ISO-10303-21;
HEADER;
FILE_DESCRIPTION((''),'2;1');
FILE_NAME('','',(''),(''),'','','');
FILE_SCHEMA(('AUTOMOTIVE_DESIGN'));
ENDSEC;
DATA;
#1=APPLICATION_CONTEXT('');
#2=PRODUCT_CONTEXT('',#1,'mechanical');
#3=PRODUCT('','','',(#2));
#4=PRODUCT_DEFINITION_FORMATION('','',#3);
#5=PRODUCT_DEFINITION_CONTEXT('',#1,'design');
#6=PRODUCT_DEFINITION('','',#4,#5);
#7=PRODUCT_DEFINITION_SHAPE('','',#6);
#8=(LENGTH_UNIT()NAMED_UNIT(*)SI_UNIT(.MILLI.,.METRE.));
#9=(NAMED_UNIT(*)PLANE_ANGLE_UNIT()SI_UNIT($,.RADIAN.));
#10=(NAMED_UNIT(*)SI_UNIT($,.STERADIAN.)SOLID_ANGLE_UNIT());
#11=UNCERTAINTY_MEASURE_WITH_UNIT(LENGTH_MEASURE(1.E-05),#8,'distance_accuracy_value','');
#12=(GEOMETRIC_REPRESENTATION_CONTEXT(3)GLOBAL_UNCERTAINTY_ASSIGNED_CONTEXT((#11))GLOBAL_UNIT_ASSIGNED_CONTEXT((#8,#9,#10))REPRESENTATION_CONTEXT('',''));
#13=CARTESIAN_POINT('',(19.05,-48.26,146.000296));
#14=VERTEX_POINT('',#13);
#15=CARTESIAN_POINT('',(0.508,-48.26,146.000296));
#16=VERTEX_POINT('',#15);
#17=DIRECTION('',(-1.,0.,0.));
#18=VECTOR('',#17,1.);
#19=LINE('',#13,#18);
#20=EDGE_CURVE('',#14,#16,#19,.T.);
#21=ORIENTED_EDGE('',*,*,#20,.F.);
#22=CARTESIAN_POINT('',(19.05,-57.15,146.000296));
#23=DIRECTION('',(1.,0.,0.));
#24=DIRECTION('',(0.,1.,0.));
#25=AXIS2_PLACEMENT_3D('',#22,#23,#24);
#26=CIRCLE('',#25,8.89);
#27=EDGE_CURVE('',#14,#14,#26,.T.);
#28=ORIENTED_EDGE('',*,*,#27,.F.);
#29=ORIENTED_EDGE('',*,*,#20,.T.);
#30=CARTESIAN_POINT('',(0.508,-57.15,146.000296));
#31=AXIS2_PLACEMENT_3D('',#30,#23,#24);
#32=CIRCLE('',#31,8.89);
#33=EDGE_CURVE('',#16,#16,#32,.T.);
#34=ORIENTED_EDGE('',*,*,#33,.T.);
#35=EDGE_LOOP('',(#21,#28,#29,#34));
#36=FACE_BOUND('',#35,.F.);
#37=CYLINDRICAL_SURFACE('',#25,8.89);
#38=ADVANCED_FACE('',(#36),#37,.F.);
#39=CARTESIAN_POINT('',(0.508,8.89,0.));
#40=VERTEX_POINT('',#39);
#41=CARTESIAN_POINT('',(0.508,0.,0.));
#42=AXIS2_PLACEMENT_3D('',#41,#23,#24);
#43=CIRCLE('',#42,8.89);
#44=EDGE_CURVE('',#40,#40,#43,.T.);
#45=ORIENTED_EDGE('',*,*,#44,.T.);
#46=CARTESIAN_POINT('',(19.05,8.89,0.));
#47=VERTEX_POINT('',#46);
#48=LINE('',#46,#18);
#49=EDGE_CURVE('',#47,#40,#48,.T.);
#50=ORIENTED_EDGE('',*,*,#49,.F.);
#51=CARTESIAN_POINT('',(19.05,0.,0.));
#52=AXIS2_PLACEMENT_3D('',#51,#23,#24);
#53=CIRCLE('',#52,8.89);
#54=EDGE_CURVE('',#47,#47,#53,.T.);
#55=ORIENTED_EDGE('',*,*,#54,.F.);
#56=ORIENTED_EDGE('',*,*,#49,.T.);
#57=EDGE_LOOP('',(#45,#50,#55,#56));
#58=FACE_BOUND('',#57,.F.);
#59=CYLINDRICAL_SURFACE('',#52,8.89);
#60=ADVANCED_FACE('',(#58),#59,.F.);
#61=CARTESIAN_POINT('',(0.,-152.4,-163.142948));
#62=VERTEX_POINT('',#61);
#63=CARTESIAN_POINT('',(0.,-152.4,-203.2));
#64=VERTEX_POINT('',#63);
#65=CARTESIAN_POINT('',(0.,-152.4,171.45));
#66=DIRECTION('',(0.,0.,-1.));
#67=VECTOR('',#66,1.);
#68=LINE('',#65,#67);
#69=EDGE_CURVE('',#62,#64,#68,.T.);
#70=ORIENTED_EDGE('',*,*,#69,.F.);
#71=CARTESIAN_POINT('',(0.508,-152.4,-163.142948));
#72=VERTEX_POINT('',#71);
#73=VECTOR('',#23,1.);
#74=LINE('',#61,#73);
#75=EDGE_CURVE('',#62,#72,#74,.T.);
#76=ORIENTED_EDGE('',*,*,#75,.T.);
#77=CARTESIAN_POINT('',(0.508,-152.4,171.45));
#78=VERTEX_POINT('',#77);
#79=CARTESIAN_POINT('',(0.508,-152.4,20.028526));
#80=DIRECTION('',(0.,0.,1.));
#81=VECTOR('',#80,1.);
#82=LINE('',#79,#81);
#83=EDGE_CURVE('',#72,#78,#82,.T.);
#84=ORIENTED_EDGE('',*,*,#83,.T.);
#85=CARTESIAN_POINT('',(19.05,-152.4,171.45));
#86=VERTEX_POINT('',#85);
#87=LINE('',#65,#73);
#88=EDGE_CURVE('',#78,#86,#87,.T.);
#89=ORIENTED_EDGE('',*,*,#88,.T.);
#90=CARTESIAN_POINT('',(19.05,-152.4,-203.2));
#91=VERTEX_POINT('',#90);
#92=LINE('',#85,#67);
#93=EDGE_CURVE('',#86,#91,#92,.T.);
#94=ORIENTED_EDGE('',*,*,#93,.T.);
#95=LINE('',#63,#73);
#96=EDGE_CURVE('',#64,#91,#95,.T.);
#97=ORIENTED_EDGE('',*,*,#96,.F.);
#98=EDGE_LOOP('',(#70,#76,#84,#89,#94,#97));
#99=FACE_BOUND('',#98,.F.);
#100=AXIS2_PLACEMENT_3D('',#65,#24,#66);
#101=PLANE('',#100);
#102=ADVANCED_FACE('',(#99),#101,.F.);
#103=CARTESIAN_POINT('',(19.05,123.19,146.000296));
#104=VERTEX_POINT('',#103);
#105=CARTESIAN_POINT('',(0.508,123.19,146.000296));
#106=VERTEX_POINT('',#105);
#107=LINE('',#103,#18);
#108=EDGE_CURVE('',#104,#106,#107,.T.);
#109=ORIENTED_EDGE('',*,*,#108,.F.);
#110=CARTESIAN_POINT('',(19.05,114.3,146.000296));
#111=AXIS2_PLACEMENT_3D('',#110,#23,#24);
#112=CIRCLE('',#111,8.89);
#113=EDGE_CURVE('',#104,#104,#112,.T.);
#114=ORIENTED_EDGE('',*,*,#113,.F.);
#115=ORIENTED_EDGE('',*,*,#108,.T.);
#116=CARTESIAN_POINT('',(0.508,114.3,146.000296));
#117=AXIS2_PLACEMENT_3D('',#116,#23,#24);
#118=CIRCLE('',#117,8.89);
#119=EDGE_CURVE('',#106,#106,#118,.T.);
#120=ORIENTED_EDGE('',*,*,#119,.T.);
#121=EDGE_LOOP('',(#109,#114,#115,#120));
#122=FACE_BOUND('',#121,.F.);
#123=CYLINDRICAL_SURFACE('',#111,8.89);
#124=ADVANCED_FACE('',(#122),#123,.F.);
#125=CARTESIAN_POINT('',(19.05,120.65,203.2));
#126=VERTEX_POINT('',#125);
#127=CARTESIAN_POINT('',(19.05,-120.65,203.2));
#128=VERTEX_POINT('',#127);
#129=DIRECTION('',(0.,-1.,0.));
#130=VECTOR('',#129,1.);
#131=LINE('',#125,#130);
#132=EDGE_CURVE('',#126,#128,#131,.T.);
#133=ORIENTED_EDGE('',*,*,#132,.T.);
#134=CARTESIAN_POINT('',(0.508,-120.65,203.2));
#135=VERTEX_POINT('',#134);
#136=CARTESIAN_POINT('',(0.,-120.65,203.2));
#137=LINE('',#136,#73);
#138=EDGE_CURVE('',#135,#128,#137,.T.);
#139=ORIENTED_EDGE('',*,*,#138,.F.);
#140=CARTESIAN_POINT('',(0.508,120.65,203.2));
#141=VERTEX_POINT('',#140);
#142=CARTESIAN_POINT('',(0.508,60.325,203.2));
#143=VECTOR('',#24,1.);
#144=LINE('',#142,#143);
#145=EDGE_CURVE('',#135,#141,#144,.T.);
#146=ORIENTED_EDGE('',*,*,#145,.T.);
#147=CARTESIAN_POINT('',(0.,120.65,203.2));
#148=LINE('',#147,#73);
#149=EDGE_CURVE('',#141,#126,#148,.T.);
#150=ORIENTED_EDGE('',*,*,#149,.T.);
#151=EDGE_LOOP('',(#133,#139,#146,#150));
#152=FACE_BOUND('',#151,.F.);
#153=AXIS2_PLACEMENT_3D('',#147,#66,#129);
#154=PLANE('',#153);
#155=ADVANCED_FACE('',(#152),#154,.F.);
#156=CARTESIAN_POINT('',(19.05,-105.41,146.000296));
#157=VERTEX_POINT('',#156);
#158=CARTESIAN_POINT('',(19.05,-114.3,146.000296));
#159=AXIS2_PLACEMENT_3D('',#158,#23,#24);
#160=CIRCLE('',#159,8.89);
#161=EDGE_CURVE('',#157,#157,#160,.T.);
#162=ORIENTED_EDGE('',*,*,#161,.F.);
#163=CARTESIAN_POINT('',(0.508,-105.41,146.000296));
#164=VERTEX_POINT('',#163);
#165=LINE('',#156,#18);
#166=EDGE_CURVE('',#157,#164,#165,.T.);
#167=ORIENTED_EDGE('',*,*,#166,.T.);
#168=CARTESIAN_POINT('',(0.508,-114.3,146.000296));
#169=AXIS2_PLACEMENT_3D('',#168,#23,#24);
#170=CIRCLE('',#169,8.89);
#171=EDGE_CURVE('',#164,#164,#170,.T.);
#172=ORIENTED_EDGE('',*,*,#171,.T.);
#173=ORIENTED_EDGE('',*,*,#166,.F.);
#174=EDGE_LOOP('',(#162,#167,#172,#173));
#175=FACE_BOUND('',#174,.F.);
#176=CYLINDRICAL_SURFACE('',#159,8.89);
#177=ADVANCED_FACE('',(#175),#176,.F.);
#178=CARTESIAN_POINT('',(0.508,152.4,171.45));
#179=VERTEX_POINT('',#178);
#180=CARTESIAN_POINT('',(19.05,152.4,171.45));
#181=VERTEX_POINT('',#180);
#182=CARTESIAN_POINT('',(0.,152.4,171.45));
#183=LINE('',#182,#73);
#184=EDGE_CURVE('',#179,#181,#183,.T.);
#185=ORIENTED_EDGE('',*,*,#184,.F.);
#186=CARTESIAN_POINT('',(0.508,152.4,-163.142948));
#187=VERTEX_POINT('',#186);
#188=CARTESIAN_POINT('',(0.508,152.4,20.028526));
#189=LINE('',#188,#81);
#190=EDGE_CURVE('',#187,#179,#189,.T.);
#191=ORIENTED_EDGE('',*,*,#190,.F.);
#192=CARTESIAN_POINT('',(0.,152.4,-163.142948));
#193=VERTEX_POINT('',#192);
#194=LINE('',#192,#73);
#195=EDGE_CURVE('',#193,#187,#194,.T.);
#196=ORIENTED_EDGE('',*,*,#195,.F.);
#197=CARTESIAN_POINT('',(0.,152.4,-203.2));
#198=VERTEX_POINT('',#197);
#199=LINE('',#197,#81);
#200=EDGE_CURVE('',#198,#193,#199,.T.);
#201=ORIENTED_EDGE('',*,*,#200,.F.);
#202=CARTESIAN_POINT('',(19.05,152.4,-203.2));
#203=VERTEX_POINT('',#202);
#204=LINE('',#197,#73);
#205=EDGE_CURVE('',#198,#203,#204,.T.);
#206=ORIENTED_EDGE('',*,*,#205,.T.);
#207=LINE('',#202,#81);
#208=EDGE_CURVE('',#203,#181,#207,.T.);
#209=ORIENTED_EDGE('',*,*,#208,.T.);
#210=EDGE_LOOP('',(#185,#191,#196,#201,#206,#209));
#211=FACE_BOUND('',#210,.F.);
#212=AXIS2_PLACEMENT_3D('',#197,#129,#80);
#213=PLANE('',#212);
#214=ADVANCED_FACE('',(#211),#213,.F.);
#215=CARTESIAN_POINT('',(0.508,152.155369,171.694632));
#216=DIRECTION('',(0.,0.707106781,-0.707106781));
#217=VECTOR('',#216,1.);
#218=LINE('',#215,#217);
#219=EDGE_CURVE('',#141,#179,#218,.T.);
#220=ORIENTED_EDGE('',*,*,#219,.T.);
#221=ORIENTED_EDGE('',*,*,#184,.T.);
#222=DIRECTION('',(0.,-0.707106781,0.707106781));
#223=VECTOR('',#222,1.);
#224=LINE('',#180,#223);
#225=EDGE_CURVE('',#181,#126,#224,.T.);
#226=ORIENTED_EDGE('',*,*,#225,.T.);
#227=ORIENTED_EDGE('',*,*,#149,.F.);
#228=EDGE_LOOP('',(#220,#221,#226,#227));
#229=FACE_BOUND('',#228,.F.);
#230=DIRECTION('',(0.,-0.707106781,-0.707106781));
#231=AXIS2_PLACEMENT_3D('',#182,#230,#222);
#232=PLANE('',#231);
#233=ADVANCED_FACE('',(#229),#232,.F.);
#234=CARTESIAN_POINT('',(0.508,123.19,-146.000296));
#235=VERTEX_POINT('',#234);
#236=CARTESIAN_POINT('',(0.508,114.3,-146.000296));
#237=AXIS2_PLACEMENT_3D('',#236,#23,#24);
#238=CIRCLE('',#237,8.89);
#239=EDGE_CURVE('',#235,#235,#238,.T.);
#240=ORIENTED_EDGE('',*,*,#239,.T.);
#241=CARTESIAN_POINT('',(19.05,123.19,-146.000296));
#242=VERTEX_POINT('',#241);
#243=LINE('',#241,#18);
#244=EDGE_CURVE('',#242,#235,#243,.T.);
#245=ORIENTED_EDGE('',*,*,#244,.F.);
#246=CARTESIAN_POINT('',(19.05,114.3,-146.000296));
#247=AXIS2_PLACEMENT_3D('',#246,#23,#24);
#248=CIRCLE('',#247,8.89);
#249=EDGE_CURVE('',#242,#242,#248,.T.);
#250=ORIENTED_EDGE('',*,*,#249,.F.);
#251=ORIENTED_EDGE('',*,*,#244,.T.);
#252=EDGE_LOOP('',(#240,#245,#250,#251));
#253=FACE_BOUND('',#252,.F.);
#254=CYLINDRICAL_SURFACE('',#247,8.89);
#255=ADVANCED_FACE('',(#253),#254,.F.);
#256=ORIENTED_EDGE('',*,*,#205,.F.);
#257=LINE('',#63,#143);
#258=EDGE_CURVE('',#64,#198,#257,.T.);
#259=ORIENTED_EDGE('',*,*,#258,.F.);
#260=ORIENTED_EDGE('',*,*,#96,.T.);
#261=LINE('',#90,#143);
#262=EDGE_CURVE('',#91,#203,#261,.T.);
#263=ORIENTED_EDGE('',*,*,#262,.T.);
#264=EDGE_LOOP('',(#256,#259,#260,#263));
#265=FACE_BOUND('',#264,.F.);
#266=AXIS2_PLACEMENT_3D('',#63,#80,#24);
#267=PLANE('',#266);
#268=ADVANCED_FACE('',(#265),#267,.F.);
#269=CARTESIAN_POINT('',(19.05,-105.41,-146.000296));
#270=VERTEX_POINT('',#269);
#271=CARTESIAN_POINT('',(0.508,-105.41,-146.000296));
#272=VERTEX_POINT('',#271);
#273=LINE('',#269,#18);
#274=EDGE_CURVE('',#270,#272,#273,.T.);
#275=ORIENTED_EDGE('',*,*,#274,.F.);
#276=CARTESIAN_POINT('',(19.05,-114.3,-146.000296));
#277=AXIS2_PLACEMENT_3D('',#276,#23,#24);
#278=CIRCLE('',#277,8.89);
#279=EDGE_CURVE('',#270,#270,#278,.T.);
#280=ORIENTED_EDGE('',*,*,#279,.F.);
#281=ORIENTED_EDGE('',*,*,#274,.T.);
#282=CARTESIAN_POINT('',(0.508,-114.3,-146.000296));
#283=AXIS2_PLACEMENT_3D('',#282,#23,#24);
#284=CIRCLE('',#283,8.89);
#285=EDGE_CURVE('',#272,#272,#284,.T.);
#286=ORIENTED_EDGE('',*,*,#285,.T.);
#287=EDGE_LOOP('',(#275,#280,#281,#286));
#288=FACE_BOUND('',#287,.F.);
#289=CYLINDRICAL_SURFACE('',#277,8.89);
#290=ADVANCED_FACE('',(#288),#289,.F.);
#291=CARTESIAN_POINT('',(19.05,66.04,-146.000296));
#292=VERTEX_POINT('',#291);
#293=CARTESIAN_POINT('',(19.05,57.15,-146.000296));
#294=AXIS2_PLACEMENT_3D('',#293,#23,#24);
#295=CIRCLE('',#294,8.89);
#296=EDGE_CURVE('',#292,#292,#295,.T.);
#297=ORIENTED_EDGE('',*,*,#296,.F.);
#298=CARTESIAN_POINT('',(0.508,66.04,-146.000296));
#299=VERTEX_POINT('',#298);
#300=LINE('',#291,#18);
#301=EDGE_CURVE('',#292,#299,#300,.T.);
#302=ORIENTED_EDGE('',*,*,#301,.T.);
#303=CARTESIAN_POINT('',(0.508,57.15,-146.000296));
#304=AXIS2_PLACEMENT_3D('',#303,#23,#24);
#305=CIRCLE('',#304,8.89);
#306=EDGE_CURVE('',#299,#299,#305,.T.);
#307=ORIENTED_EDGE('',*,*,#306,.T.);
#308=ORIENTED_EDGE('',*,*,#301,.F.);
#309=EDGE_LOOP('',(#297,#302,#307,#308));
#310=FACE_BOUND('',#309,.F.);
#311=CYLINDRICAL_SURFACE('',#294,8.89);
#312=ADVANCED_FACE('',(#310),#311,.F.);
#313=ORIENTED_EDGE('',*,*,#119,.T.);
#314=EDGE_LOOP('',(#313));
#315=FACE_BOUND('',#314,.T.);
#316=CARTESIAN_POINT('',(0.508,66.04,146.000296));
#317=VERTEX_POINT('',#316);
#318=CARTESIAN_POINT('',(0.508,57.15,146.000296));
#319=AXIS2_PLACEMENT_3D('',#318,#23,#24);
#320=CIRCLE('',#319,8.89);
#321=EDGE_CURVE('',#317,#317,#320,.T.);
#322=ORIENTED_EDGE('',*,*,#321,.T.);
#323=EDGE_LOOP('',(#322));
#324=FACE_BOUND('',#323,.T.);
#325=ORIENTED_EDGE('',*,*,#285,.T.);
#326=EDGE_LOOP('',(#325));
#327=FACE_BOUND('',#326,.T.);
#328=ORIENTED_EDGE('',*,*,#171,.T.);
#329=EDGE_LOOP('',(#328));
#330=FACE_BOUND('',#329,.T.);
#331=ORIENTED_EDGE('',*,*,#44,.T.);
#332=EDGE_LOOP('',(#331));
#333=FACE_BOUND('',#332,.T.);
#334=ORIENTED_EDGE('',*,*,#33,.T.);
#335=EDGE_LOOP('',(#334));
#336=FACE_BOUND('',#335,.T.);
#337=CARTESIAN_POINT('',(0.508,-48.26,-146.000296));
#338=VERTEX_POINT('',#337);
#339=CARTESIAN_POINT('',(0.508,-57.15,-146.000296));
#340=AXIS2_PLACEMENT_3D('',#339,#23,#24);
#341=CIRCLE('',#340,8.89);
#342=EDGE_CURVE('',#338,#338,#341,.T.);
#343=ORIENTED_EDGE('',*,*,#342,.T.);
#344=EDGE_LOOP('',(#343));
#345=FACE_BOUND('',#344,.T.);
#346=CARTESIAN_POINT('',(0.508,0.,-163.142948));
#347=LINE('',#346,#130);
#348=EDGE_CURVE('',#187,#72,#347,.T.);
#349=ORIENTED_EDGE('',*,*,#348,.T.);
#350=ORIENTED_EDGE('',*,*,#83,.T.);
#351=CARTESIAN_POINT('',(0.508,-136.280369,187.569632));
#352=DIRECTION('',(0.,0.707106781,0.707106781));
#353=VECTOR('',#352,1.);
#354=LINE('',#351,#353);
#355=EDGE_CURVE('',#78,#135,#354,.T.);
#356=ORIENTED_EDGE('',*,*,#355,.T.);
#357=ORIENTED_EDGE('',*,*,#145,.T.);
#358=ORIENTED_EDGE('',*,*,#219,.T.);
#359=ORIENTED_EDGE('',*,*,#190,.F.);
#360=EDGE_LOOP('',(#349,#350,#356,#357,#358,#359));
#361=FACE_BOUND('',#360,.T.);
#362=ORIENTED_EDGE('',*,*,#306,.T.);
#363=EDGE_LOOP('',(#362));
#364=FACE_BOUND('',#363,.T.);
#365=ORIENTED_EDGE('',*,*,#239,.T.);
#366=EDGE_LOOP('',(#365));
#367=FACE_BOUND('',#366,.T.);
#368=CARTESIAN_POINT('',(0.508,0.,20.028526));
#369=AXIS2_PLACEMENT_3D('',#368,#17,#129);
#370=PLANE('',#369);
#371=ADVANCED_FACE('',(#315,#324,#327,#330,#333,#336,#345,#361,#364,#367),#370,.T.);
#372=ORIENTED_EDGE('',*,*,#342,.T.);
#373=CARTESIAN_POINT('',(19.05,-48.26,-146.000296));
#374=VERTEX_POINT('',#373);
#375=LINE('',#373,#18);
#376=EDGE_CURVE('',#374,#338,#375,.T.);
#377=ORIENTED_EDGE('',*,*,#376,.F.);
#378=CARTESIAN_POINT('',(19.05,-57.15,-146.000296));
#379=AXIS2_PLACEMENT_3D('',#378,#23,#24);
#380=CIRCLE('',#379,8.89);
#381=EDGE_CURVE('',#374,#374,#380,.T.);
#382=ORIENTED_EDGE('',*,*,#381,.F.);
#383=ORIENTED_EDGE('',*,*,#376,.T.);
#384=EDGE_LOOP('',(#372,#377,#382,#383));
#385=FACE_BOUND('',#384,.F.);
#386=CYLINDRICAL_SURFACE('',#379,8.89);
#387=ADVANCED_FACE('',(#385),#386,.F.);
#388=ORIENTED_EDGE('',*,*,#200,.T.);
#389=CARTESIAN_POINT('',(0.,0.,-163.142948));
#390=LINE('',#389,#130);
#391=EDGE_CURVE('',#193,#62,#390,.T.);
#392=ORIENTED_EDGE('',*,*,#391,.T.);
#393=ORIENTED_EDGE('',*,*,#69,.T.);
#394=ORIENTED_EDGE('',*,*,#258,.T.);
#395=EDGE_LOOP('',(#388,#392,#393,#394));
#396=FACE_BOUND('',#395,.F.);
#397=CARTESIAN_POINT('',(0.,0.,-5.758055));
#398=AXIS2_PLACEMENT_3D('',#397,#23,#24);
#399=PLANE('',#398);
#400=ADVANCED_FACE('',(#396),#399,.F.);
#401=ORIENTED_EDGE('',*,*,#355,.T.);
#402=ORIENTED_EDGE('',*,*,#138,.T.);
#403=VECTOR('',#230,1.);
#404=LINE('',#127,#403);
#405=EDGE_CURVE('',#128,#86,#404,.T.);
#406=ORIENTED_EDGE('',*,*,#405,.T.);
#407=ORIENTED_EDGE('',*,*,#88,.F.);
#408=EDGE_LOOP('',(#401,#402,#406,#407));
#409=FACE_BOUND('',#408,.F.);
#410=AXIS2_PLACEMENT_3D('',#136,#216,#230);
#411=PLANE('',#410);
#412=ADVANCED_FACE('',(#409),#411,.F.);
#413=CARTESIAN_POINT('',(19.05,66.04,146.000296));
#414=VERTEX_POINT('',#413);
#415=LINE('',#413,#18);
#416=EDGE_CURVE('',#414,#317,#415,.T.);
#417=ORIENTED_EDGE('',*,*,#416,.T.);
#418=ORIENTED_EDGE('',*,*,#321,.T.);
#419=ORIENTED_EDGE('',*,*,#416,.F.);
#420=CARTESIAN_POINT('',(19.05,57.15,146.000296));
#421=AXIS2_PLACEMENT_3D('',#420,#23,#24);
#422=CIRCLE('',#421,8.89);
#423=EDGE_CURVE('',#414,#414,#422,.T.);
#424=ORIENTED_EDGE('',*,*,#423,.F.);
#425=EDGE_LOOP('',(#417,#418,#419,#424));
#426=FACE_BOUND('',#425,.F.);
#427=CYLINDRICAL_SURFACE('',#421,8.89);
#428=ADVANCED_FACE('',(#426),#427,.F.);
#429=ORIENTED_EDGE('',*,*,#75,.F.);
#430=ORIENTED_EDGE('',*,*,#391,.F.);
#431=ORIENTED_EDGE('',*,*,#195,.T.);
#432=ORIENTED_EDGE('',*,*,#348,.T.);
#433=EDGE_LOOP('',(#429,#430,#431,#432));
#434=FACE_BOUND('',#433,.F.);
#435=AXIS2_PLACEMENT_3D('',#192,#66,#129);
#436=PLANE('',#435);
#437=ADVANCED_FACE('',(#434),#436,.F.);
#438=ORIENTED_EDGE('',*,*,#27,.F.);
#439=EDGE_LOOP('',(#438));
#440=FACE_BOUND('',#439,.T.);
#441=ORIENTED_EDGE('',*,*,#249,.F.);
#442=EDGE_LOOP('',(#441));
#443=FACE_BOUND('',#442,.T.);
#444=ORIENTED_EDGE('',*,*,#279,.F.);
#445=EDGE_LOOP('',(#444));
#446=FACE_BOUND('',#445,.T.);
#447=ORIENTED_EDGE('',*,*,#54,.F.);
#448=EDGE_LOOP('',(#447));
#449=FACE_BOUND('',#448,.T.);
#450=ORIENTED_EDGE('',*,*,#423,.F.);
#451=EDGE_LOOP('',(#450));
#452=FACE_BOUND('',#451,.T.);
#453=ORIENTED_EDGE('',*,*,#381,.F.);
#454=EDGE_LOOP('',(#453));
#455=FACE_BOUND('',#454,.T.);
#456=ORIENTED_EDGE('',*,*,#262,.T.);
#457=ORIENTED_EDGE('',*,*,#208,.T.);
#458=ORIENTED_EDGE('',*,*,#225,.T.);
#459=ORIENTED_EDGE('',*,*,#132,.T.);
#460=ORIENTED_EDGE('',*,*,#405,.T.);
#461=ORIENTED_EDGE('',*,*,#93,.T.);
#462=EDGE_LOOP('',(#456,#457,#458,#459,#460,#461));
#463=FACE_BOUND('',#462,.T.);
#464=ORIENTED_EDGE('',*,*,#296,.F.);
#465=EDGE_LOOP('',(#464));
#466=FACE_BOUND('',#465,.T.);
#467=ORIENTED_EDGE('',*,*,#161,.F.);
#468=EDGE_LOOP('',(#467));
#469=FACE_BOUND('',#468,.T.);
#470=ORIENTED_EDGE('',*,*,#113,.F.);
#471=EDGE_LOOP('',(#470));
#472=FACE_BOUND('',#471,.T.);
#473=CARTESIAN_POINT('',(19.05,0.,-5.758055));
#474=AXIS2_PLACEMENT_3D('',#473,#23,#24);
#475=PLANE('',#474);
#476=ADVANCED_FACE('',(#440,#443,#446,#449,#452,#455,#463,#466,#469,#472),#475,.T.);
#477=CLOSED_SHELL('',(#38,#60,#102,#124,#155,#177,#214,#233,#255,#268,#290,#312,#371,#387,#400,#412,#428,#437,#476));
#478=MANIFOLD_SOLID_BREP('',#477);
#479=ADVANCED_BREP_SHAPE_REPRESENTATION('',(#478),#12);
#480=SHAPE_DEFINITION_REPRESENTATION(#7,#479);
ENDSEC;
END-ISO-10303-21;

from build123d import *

# Parameters (mm, degrees)
F1_DEPTH = 19.05
F2_R     = 8.89
F3_DEPTH = 96.012
F4_W     = 304.8
F4_H     = 366.342949
F5_DEPTH = 0.508


with BuildPart() as f1:
    # F0 (on Right) → F1 (new body)
    with BuildSketch(Plane.YZ):
        Polygon((-152.4, -203.2), (152.4, -203.2), (152.4, 171.45), (120.65, 203.2), (-120.65, 203.2), (-152.4, 171.45), align=None)
    extrude(amount=F1_DEPTH)

    # F2 (on face) → F3 (cut)
    with BuildSketch(Plane.YZ.offset(19.05)):
        with Locations((-57.15, 146.000296)):
            Circle(F2_R)
        with Locations((-114.3, 146.000296)):
            Circle(F2_R)
        Circle(F2_R)
        with Locations((-57.15, -146.000296)):
            Circle(F2_R)
        with Locations((-114.3, -146.000296)):
            Circle(F2_R)
        with Locations((57.15, 146.000296)):
            Circle(F2_R)
        with Locations((114.3, 146.000296)):
            Circle(F2_R)
        with Locations((57.15, -146.000296)):
            Circle(F2_R)
        with Locations((114.3, -146.000296)):
            Circle(F2_R)
    extrude(amount=-F3_DEPTH, mode=Mode.SUBTRACT)

    # F4 (on face) → F5 (cut)
    with BuildSketch(Plane(origin=(0, 0, 0), x_dir=(0, -1, 0), z_dir=(-1, 0, 0))):
        with Locations((0, 20.028526)):
            Rectangle(F4_W, F4_H)
    extrude(amount=-F5_DEPTH, mode=Mode.SUBTRACT)


solid = f1.part
